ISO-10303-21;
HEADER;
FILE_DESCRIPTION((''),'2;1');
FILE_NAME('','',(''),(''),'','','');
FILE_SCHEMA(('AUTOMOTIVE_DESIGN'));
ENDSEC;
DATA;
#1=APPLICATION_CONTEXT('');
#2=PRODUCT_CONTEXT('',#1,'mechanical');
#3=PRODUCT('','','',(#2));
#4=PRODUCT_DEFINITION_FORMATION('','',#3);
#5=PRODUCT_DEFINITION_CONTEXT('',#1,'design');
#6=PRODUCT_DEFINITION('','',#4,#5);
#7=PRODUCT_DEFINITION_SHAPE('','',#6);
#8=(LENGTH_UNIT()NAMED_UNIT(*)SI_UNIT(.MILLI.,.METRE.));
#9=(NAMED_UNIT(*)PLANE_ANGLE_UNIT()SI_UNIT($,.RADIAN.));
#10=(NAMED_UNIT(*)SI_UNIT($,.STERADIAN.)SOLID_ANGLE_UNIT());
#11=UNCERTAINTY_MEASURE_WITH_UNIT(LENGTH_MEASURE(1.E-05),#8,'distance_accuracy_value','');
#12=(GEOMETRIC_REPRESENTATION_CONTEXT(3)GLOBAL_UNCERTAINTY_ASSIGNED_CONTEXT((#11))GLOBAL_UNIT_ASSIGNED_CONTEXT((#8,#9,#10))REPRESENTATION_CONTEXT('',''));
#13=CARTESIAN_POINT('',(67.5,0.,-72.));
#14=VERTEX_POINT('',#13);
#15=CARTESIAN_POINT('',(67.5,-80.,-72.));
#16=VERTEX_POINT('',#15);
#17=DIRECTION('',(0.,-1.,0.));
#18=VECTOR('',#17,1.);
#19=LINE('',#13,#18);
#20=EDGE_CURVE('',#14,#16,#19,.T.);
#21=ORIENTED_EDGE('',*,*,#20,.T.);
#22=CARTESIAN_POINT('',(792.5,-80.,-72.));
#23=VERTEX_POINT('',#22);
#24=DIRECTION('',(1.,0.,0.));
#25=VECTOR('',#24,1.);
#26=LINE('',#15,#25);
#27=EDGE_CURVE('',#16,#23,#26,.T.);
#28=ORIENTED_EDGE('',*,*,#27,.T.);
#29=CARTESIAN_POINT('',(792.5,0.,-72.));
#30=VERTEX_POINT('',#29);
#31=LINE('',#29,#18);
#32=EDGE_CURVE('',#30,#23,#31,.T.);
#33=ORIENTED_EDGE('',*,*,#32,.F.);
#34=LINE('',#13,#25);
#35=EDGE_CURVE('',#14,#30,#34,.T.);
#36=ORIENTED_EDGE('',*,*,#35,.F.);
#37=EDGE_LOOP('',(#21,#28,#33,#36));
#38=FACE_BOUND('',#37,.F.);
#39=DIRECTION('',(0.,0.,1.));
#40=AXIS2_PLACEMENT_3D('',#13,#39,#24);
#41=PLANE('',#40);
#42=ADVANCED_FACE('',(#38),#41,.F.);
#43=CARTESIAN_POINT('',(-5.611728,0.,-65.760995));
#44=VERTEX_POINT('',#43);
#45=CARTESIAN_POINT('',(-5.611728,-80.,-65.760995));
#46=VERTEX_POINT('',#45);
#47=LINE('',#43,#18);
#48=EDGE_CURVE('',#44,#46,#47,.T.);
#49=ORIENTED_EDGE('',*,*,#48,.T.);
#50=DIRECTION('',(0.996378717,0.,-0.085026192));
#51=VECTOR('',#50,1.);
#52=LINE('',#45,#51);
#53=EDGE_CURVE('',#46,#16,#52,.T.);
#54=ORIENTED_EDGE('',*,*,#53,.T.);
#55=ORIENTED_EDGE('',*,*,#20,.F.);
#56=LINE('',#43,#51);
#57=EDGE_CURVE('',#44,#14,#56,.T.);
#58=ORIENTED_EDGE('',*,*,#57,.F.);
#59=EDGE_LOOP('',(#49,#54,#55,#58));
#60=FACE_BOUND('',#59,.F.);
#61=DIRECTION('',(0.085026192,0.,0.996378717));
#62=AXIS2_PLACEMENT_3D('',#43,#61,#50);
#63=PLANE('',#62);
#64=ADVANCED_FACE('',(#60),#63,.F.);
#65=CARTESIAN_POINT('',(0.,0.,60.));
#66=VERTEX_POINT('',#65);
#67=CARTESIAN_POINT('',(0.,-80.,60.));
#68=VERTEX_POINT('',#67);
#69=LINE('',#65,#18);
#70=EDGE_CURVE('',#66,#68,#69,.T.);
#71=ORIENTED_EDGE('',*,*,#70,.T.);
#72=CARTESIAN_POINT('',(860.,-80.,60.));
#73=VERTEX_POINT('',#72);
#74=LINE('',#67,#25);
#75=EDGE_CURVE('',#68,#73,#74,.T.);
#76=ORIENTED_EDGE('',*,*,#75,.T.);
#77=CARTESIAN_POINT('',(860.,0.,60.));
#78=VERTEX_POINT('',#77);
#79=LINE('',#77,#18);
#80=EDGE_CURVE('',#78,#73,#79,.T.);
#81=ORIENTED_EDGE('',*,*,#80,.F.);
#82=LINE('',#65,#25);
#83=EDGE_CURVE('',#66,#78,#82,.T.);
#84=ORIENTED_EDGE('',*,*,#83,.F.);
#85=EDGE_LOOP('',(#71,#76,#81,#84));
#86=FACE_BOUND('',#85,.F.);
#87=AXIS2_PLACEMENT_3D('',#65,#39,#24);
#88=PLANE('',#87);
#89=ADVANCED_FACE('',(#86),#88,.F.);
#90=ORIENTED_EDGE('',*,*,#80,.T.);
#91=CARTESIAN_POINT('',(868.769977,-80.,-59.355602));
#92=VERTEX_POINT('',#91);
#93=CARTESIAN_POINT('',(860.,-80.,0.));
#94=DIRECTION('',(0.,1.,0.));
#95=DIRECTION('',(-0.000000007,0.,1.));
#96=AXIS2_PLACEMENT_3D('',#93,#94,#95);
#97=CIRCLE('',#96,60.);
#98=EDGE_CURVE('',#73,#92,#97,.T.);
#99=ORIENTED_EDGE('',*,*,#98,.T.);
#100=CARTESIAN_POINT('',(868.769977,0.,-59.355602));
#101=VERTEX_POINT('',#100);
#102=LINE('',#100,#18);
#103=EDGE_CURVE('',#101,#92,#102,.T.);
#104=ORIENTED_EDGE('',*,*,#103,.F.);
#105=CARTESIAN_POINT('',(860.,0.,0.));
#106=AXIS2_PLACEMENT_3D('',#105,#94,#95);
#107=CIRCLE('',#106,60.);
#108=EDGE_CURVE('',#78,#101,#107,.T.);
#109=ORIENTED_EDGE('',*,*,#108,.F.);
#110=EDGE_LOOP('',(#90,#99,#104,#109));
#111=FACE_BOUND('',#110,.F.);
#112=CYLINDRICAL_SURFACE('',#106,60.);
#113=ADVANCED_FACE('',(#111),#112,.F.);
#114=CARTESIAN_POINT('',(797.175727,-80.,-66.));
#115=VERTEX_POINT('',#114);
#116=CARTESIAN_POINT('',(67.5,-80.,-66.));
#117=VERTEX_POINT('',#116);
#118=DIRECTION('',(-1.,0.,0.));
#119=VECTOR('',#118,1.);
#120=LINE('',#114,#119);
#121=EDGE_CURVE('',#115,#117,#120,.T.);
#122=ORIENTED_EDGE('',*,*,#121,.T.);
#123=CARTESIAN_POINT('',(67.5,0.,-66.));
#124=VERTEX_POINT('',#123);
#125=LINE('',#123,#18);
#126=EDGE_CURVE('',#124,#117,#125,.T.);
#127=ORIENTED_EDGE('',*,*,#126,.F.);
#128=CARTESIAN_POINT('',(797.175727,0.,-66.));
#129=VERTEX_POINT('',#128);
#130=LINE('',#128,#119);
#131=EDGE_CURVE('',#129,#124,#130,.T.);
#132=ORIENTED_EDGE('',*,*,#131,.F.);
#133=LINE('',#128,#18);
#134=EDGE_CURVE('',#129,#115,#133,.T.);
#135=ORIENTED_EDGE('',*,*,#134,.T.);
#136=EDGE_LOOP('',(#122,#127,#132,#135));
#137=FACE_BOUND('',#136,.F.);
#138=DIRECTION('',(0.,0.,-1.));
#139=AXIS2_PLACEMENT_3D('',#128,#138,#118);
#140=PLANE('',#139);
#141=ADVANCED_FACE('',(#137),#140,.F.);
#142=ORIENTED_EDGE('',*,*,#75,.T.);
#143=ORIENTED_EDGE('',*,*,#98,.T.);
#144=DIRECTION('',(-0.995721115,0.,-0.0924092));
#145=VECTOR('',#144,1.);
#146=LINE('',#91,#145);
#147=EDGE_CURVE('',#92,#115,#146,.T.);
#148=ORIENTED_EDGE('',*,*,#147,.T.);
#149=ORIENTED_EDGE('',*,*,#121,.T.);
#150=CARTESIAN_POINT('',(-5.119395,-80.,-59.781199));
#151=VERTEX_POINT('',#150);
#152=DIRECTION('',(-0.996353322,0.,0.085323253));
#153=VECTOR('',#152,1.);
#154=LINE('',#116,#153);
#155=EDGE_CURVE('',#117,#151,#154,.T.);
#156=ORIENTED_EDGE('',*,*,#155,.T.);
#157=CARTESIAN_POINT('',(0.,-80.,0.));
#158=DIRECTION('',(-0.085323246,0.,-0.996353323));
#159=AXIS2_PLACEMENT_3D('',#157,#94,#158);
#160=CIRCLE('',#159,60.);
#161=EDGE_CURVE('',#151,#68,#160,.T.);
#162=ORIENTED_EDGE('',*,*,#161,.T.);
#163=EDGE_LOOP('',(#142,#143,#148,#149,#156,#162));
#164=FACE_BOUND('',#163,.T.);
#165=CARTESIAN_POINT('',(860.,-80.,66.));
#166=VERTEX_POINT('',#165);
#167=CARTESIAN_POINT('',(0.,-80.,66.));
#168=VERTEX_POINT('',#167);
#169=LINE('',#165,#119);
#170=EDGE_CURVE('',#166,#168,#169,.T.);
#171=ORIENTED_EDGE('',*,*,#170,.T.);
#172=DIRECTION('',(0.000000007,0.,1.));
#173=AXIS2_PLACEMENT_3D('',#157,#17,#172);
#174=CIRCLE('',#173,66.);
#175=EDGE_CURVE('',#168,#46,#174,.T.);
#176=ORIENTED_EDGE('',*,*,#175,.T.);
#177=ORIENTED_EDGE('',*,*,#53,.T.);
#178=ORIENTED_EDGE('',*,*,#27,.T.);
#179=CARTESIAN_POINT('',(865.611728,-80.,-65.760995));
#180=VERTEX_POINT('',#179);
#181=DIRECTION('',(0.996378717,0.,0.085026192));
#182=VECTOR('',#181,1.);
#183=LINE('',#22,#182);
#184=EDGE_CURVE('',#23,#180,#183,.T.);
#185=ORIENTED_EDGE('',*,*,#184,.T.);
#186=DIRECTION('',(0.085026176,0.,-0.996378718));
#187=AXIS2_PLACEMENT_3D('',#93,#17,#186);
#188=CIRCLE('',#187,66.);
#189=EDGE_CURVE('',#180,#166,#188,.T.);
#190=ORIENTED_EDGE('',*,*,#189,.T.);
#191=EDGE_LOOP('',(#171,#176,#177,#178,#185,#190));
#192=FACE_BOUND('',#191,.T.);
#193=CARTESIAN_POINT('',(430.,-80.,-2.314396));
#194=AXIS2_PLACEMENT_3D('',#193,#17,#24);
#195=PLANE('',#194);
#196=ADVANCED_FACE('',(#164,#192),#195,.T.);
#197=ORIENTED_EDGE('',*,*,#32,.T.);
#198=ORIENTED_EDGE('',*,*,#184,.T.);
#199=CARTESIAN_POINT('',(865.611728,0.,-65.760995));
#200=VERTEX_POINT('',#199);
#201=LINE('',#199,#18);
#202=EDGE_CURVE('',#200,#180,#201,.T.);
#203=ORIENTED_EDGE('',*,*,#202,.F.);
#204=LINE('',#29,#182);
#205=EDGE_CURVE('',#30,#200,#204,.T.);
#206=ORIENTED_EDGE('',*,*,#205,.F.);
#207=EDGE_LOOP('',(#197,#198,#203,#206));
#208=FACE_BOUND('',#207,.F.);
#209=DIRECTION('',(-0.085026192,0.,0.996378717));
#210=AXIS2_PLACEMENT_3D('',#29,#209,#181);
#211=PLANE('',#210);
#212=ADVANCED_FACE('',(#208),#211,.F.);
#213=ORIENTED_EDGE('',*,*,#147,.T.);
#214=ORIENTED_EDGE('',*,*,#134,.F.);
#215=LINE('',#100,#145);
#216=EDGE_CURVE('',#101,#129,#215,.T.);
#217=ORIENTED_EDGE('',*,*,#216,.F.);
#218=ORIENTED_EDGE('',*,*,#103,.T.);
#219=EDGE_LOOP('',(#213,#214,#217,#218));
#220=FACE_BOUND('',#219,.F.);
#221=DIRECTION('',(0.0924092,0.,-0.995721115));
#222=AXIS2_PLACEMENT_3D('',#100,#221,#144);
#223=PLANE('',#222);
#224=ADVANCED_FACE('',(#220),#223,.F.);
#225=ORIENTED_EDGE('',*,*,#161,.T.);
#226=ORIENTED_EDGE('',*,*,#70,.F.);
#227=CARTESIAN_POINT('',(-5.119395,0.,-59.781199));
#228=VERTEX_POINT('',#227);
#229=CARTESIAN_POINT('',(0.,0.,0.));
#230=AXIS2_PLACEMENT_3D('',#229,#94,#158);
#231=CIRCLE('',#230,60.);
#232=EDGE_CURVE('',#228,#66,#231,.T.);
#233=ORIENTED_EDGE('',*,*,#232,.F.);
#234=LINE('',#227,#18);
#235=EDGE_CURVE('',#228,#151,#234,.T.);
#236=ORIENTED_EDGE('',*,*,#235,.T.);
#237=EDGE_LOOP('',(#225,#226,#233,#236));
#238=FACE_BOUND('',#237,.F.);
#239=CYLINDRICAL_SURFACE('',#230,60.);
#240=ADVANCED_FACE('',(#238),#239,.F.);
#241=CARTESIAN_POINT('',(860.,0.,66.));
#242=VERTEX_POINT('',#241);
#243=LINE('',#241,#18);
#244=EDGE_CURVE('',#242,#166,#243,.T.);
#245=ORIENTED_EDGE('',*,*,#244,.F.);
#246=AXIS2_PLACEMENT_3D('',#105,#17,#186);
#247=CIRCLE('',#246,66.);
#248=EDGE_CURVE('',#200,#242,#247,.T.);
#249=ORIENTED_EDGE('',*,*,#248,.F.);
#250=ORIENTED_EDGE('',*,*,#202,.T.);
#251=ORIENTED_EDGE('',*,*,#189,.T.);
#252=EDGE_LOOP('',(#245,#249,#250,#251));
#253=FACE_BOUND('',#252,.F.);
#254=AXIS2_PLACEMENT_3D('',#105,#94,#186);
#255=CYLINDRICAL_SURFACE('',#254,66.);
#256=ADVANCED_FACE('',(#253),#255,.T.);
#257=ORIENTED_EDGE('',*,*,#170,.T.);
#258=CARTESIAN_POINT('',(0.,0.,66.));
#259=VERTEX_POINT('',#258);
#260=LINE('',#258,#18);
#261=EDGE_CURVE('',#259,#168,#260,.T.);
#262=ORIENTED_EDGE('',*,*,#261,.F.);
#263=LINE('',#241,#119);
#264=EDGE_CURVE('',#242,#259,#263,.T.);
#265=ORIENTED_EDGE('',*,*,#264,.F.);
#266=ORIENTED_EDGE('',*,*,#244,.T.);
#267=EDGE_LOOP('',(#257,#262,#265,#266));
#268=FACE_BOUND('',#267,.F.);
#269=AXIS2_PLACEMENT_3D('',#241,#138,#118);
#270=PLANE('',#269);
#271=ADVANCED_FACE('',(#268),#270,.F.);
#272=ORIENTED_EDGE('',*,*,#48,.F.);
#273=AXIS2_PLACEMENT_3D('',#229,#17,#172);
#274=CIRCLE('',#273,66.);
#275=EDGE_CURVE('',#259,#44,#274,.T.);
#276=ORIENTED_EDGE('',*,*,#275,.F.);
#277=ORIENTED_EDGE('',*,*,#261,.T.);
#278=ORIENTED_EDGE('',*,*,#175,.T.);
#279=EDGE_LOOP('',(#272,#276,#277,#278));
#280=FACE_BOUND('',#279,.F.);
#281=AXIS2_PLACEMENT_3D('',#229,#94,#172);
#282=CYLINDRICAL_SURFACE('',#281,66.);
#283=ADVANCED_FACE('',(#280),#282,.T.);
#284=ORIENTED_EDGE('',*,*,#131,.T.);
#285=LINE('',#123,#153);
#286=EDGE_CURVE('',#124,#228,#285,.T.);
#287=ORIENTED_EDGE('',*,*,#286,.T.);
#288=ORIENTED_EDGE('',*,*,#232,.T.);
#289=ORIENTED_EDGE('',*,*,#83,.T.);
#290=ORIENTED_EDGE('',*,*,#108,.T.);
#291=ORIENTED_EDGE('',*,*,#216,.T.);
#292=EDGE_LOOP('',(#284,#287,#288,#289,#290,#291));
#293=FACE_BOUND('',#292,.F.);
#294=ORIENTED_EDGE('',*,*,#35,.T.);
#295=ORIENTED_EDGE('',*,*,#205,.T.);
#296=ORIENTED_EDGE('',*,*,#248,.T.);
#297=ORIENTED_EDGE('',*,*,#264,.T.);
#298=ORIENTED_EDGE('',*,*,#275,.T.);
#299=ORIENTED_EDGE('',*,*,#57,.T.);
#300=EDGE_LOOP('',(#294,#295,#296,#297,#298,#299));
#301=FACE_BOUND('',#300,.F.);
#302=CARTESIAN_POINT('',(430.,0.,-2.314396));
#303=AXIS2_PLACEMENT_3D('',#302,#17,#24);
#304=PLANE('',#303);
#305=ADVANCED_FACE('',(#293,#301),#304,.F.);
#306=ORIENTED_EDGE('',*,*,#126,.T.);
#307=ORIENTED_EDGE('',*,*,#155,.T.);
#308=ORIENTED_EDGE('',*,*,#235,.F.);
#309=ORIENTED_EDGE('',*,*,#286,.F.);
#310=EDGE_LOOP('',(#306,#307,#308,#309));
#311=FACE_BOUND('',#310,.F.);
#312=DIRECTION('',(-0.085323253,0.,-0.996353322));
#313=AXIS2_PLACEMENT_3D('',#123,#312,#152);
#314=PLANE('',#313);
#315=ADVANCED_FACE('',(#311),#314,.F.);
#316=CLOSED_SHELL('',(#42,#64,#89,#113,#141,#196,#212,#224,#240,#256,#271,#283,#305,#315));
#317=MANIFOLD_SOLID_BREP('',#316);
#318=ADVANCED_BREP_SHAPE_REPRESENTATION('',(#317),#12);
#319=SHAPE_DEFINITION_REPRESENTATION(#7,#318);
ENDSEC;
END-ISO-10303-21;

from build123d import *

# Parameters (mm, degrees)
F1_DEPTH = 80


with BuildPart() as f1:
    # F0 (on Front) → F1 (new body)
    with BuildSketch(Plane.XZ):
        with BuildLine():
            Line((860, 66), (0, 66))
            ThreePointArc((0, 66), (-65.940222, 2.808408), (-5.611728, -65.760995))
            Line((-5.611728, -65.760995), (67.5, -72))
            Line((67.5, -72), (792.5, -72))
            Line((792.5, -72), (865.611728, -65.760995))
            ThreePointArc((865.611728, -65.760995), (925.940222, 2.808408), (860, 66))
        make_face()
        with BuildLine():
            ThreePointArc((-5.119395, -59.781199), (-59.945275, 2.562034), (0, 60))
            Line((0, 60), (860, 60))
            ThreePointArc((860, 60), (919.838684, 4.39681), (868.769977, -59.355602))
            Line((868.769977, -59.355602), (797.175727, -66))
            Line((797.175727, -66), (67.5, -66))
            Line((67.5, -66), (-5.119395, -59.781199))
        make_face(mode=Mode.SUBTRACT)
    extrude(amount=F1_DEPTH)


solid = f1.part
